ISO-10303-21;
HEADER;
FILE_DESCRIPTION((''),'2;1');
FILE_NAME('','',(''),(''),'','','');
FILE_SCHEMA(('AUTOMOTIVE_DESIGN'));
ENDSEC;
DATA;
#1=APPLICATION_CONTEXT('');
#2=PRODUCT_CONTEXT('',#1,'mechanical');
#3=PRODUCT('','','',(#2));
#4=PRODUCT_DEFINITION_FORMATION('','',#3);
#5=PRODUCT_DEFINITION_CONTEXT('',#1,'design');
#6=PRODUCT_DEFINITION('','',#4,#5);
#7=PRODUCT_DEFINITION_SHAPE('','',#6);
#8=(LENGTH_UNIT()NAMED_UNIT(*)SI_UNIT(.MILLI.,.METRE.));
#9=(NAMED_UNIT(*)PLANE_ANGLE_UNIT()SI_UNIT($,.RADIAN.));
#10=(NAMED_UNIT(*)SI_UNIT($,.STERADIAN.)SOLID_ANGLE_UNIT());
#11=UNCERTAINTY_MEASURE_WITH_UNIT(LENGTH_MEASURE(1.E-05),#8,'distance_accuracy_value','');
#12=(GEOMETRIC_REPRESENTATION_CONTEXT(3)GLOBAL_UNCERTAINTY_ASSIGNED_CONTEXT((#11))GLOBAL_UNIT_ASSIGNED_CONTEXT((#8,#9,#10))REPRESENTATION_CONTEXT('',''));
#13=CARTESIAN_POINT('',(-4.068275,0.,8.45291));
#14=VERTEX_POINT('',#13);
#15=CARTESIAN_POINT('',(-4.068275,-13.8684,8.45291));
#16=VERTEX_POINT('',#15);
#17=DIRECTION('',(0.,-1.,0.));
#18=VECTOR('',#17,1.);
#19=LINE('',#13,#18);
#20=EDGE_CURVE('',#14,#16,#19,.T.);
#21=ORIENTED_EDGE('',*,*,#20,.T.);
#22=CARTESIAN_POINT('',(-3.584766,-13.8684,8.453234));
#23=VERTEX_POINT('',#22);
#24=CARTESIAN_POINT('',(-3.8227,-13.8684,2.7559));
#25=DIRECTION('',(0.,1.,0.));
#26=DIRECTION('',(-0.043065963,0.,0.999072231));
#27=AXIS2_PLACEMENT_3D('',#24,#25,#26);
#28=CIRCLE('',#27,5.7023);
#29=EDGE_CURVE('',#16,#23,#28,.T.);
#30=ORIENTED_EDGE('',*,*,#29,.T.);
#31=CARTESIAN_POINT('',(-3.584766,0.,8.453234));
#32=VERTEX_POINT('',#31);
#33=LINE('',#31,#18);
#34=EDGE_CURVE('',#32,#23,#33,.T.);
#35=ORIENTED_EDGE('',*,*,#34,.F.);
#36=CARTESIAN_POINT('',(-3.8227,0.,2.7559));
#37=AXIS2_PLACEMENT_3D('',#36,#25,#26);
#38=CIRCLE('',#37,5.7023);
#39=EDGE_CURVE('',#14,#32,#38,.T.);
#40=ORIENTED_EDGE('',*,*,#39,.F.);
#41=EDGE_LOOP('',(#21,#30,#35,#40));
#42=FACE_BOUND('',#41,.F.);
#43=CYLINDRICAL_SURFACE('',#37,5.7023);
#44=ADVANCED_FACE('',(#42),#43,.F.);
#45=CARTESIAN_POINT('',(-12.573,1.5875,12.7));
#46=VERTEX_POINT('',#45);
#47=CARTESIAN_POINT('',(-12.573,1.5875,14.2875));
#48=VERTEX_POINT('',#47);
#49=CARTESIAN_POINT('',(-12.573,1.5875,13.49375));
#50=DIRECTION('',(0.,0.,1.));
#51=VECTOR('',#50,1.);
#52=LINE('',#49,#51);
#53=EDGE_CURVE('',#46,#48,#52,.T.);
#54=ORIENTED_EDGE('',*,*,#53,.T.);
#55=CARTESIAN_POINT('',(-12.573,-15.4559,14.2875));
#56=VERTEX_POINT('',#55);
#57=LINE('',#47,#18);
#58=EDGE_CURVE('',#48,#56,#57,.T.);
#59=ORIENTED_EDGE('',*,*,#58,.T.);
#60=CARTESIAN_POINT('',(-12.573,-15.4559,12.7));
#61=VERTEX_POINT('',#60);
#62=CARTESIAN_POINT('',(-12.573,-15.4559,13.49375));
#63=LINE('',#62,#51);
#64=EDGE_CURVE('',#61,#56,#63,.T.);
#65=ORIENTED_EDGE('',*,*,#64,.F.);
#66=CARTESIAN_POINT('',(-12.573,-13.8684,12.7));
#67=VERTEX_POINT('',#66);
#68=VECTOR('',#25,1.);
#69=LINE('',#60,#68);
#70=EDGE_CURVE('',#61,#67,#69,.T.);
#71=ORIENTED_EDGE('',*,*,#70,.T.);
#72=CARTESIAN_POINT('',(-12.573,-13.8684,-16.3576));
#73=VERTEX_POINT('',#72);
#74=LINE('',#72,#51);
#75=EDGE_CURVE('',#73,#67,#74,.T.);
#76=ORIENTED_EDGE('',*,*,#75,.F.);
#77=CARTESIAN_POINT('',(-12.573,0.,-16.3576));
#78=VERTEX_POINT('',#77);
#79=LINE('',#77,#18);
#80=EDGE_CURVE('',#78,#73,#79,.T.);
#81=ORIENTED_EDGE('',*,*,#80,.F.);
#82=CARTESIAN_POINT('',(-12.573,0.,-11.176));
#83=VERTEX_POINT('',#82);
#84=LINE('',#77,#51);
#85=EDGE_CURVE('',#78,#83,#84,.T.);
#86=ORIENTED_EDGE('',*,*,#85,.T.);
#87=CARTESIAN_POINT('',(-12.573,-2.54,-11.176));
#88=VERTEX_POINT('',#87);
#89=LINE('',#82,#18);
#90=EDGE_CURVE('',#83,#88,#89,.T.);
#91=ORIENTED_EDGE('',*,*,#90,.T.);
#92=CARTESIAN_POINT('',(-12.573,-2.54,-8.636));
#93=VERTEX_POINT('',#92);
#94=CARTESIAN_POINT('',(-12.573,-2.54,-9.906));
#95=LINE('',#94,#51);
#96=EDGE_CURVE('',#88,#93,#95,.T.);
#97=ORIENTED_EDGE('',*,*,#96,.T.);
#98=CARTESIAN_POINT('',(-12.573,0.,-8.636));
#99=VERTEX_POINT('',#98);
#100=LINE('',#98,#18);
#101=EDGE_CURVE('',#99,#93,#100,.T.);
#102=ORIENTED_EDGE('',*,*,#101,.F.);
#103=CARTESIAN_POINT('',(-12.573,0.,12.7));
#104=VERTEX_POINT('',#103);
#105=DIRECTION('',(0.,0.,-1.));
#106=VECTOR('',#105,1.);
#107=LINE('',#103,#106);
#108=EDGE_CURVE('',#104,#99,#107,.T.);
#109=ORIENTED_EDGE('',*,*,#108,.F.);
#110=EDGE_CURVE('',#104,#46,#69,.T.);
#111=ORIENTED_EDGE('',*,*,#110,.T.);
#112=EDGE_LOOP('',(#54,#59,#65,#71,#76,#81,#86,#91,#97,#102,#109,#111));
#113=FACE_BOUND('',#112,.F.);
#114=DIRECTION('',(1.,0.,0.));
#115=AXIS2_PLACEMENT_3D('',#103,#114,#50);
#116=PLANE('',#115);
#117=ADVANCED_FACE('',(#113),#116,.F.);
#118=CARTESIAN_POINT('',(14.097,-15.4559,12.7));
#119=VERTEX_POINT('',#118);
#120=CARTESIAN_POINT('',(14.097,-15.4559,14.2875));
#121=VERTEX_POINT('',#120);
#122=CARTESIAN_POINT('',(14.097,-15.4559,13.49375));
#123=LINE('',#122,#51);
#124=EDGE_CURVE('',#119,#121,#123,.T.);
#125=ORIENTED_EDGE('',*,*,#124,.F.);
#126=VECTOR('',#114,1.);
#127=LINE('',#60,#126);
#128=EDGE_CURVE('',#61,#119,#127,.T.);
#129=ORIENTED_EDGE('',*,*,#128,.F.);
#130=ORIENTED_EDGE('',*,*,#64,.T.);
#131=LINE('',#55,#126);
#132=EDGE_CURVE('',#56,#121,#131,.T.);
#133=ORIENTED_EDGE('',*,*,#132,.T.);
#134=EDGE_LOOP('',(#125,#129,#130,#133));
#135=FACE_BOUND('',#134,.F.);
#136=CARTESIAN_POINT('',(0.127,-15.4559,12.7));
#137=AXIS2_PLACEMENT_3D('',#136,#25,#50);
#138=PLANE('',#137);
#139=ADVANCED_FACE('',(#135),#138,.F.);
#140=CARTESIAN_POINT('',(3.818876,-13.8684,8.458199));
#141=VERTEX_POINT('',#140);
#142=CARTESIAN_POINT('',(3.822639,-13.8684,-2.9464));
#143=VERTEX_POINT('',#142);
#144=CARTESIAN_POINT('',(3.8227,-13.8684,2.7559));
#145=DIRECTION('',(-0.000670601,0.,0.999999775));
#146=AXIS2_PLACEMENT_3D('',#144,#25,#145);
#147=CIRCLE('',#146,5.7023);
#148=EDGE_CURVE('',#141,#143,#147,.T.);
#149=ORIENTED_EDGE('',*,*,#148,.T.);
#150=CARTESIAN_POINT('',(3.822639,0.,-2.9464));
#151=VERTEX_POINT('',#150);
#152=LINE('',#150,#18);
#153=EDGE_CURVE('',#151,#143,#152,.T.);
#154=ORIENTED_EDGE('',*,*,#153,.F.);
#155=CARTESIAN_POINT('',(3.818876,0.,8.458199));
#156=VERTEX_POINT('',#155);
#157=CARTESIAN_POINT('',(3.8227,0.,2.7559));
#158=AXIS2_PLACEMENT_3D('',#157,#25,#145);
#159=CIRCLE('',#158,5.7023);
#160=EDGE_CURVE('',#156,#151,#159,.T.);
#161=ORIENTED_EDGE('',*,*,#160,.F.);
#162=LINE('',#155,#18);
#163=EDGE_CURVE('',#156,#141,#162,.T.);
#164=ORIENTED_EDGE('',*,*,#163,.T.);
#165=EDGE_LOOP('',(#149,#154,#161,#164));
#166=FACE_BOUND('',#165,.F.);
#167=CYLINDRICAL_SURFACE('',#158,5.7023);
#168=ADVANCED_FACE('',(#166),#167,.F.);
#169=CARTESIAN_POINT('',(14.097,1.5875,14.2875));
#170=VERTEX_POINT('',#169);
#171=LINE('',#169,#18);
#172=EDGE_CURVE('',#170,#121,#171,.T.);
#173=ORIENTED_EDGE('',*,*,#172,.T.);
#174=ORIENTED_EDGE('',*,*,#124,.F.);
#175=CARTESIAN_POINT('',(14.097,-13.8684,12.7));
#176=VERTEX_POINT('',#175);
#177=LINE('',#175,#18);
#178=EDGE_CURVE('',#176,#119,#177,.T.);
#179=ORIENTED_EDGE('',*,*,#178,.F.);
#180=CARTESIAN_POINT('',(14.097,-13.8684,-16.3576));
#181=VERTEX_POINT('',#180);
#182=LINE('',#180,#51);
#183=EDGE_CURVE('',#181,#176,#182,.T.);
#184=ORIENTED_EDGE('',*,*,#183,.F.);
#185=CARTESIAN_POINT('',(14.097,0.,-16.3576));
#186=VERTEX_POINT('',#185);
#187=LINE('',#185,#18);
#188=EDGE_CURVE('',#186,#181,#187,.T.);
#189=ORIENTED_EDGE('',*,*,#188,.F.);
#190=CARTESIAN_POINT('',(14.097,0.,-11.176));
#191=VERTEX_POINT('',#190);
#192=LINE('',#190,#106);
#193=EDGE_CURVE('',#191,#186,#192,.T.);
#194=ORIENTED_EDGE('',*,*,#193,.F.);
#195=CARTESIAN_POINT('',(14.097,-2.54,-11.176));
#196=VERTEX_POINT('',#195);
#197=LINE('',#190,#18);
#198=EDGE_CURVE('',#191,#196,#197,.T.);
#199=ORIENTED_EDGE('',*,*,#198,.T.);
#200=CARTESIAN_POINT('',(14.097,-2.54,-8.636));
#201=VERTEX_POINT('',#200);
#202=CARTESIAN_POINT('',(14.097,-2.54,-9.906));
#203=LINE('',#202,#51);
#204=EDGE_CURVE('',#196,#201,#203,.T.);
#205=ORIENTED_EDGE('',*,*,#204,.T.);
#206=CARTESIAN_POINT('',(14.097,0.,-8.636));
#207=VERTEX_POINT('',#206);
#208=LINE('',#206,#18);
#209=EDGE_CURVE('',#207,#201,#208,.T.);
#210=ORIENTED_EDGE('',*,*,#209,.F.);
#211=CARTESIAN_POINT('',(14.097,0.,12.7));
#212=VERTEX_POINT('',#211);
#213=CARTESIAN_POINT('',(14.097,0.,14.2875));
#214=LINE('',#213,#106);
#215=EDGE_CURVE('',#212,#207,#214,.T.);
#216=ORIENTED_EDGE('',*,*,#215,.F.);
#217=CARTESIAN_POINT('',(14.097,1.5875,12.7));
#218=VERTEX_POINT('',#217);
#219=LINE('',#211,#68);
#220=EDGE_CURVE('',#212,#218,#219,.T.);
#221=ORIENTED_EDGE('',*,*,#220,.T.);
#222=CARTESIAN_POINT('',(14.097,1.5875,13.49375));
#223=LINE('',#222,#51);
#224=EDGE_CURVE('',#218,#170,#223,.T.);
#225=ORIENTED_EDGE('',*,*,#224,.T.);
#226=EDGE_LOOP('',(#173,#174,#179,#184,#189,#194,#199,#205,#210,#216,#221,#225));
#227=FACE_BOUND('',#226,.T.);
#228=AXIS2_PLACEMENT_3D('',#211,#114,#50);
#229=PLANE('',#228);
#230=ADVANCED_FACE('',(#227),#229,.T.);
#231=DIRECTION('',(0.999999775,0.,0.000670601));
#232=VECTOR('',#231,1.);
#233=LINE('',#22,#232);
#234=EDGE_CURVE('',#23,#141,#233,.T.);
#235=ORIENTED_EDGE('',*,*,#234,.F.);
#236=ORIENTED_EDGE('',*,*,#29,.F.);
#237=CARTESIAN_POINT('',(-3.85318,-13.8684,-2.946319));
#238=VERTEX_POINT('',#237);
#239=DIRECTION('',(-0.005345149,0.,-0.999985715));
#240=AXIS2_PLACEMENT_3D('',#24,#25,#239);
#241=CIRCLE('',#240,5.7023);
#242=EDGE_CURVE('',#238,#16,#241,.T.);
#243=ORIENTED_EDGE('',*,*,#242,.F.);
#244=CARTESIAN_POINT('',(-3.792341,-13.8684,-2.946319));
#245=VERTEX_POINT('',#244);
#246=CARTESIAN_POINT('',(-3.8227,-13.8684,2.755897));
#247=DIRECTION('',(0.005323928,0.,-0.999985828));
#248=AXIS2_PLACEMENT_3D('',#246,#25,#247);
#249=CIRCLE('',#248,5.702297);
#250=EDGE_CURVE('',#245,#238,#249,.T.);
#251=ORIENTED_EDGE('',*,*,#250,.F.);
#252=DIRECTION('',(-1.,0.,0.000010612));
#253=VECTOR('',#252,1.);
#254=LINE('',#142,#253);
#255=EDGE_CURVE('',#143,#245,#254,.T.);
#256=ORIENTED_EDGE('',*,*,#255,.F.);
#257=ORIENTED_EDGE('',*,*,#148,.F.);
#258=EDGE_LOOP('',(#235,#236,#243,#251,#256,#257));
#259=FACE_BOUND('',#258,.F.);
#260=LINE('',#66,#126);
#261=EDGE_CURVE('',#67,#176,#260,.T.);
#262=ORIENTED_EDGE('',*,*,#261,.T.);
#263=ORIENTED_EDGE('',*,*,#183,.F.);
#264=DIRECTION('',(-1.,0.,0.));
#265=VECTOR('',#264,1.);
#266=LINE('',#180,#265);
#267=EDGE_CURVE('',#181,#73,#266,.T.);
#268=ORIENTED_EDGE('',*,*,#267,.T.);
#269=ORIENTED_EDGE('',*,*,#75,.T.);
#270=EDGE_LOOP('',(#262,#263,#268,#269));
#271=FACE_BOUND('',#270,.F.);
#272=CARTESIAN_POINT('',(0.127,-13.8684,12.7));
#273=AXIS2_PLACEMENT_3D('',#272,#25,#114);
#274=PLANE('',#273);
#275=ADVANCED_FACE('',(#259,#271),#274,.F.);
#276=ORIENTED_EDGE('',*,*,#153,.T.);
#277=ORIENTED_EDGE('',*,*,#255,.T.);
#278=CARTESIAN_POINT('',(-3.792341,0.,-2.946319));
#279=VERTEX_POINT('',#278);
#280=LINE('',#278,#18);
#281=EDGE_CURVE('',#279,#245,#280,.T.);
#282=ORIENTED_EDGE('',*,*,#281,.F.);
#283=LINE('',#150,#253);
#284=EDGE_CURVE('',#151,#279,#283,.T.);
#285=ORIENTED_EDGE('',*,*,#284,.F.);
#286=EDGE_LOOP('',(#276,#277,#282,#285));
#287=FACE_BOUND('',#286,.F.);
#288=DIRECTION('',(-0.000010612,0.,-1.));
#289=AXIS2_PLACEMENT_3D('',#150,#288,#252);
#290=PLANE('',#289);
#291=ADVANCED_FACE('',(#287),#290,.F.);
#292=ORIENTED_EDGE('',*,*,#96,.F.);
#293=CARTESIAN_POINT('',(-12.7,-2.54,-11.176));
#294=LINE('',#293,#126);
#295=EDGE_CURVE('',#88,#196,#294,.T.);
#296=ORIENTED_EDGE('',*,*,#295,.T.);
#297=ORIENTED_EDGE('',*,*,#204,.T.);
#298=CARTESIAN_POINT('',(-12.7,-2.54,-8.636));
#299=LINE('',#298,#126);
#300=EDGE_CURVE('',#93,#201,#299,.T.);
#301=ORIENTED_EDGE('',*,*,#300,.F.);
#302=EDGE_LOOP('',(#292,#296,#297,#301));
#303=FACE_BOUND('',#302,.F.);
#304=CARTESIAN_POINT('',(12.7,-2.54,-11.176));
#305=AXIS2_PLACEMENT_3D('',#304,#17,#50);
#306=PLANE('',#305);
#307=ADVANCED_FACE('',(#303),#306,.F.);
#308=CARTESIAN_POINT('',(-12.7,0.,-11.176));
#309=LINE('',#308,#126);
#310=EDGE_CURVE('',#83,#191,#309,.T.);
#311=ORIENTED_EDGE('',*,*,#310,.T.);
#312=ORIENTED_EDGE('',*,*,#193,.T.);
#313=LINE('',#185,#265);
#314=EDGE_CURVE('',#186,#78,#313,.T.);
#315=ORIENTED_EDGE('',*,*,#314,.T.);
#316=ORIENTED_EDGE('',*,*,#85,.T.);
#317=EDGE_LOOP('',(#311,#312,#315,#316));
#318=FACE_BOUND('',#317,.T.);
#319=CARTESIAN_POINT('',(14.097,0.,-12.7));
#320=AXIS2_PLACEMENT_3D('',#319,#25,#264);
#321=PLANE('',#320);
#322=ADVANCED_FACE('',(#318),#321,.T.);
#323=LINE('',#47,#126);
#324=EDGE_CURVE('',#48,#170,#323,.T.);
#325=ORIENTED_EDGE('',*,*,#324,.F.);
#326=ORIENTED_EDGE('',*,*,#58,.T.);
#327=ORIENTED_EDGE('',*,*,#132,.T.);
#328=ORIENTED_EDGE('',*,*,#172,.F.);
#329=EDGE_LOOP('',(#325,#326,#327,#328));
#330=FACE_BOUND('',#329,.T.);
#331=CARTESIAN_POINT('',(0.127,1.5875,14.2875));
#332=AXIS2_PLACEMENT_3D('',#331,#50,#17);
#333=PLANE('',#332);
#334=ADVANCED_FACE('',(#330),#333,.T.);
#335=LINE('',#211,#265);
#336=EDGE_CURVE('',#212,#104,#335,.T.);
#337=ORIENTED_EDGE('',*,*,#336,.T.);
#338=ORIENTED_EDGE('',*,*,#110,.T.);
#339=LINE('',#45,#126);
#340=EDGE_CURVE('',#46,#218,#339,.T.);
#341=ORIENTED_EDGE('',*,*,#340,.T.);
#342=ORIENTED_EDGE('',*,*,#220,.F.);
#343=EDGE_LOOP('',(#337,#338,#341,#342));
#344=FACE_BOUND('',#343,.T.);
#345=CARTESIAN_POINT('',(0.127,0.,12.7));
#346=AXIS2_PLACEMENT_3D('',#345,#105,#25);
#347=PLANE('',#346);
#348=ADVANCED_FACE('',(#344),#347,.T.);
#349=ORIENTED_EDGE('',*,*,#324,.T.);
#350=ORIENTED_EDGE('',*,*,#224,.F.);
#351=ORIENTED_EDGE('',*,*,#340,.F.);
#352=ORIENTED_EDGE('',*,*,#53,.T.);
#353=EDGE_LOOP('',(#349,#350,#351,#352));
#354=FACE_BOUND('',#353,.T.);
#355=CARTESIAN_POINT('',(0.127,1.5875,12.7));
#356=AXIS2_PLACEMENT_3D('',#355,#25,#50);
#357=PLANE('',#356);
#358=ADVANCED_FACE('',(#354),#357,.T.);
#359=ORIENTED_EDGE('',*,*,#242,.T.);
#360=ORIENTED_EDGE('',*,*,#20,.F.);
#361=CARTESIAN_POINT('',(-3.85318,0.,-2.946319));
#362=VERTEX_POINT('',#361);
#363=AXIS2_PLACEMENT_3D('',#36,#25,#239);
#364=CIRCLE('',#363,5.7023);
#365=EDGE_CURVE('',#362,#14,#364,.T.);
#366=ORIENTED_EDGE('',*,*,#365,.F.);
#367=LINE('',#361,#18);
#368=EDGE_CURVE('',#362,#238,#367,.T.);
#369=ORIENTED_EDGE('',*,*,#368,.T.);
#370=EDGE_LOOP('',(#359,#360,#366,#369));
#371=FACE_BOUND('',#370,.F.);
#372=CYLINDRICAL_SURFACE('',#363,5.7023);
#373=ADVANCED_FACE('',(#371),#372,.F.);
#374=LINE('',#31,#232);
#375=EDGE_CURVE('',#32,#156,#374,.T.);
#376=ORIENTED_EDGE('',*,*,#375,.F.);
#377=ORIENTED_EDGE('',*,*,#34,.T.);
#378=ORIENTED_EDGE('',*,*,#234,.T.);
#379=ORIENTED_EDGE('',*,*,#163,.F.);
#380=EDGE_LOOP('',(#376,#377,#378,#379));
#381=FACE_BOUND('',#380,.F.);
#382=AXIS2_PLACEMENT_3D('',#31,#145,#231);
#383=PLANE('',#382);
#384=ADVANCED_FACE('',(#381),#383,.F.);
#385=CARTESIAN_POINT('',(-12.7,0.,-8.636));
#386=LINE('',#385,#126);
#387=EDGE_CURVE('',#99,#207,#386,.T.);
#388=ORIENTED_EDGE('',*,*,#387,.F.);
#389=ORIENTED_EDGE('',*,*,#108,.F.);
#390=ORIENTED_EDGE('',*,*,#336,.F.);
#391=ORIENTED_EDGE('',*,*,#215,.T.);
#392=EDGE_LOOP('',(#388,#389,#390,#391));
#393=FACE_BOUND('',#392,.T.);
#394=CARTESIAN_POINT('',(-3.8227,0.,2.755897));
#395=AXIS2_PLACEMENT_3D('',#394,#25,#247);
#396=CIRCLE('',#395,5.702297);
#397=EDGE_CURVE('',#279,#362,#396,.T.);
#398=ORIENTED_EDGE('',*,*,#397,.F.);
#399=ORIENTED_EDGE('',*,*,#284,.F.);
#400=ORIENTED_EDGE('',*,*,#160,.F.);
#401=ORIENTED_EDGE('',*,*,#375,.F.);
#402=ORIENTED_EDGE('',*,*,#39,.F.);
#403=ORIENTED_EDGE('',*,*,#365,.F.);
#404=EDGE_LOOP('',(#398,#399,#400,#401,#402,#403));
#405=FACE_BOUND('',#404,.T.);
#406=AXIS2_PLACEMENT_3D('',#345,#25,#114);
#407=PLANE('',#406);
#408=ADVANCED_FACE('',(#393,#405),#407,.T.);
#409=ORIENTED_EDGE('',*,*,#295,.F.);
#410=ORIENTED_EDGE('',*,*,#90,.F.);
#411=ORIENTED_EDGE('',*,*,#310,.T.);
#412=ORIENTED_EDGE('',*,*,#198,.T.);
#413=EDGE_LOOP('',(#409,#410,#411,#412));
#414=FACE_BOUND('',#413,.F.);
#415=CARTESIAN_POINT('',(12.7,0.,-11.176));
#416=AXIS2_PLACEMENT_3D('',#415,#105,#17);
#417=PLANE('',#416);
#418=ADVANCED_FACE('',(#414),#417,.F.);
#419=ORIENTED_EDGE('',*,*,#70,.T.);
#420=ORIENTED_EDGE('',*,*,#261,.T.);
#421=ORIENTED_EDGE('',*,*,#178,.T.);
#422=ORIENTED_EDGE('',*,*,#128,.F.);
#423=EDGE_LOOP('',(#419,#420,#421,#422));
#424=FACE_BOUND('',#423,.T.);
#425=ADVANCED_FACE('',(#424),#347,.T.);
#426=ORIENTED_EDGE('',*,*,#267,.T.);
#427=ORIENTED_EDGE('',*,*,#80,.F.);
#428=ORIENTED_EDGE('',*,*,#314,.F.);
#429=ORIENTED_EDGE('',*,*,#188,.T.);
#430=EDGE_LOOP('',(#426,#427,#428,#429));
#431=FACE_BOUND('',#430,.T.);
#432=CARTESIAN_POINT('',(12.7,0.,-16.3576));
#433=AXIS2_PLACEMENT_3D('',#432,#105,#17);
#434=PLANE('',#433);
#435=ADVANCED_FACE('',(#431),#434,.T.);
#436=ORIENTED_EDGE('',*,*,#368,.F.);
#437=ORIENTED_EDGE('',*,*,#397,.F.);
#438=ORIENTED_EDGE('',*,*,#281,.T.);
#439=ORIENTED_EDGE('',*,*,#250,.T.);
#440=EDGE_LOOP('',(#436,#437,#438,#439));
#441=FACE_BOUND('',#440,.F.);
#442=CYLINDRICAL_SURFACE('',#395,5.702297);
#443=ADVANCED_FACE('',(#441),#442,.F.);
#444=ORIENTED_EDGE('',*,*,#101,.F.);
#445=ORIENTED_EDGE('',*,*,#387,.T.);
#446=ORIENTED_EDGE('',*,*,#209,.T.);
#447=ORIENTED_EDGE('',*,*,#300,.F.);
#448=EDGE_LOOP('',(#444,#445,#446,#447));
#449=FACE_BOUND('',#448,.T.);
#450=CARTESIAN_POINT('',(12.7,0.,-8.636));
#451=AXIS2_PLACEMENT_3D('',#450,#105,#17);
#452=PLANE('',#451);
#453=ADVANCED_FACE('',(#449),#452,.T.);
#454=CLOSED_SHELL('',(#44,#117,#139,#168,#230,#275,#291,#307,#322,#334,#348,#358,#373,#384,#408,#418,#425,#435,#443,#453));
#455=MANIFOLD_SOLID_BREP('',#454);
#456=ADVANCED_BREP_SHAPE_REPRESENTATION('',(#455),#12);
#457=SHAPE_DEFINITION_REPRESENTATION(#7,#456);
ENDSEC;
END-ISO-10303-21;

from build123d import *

# Parameters (mm, degrees)
F0_W      = 25.4
F0_H      = 2.54
F0_H_2    = 1.524
F1_DEPTH  = 13.8684
F2_DEPTH  = 2.54
F3_DEPTH  = 1.397
F4_DEPTH  = 0.127
F5_DEPTH  = 3.6576
F6_W      = 13.97
F6_H      = 13.8684
F7_DEPTH  = 1.5875
F8_W      = 13.97
F8_H      = 1.5875
F9_DEPTH  = 1.5875
F10_W     = 13.97
F10_H     = 1.5875
F11_DEPTH = 1.5875
F12_DEPTH = 12.7


with BuildPart() as f1:
    # F0 (on Front) → F1 (new body)
    with BuildSketch(Plane.XZ):
        Polygon((12.7, 12.7), (-12.7, 12.7), (-12.7, -4.10832325), (-12.7, -8.636), (12.7, -8.636), align=None)
        with BuildLine():
            ThreePointArc((-4.0682750421, 8.452909583), (-3.8265239697, 8.4581987178), (-3.584766021, 8.4532338248))
            Line((-3.584766021, 8.4532338248), (3.8188760303, 8.4581987178))
            ThreePointArc((3.8188760303, 8.4581987178), (9.5249996895, 2.7577817272), (3.8226394845, -2.9463999997))
            Line((3.8226394845, -2.9463999997), (-3.7923413869, -2.9463191859))
            ThreePointArc((-3.7923413869, -2.9463191859), (-3.8227605155, -2.9463999997), (-3.8531796423, -2.9463185403))
            ThreePointArc((-3.8531796423, -2.9463185403), (-9.5239851182, 2.6483207685), (-4.0682750421, 8.452909583))
        make_face(mode=Mode.SUBTRACT)
        with Locations((0, -9.906)):
            Rectangle(F0_W, F0_H)
        with Locations((0, -11.938)):
            Rectangle(F0_W, F0_H_2)
    extrude(amount=F1_DEPTH)

    # F0 (on Front) → F2 (cut)
    with BuildSketch(Plane.XZ):
        with Locations((0, -9.906)):
            Rectangle(F0_W, F0_H)
    extrude(amount=F2_DEPTH, mode=Mode.SUBTRACT)

    # F3 (add): a face of the model
    f3_faces = [f1.faces().sort_by_distance(p)[0] for p in [
        (12.7, -7.0398753731, 0.1848134328),
    ]]
    extrude(f3_faces, amount=F3_DEPTH)

    # F4 (cut): a face of the model
    f4_faces = [f1.faces().sort_by_distance(p)[0] for p in [
        (-12.7, -7.0398753731, 0.1848134328),
    ]]
    extrude(f4_faces, amount=-F4_DEPTH, mode=Mode.SUBTRACT)

    # F5 (add): a face of the model
    f5_faces = [f1.faces().sort_by_distance(p)[0] for p in [
        (0.762, -6.9342, -12.7),
    ]]
    extrude(f5_faces, amount=F5_DEPTH)

    # F6 (on face) → F7 (join)
    with BuildSketch(Plane.XY.offset(12.7)):
        with Locations((7.112, -6.9342)):
            Rectangle(F6_W, F6_H)
    extrude(amount=F7_DEPTH)

    # F8 (on face) → F9 (join)
    with BuildSketch(Plane.XZ.offset(13.8684)):
        with Locations((7.112, 13.49375)):
            Rectangle(F8_W, F8_H)
    extrude(amount=F9_DEPTH)

    # F10 (on face) → F11 (join)
    with BuildSketch(Plane(origin=(0, 0, 0), x_dir=(-1, 0, 0), z_dir=(0, 1, 0))):
        with Locations((-7.112, 13.49375)):
            Rectangle(F10_W, F10_H)
    extrude(amount=F11_DEPTH)

    # F12 (add, through all): a face of the model
    f12_faces = [f1.faces().sort_by_distance(p)[0] for p in [
        (0.127, -6.9342, 13.49375),
    ]]
    extrude(f12_faces, amount=F12_DEPTH)


solid = f1.part
